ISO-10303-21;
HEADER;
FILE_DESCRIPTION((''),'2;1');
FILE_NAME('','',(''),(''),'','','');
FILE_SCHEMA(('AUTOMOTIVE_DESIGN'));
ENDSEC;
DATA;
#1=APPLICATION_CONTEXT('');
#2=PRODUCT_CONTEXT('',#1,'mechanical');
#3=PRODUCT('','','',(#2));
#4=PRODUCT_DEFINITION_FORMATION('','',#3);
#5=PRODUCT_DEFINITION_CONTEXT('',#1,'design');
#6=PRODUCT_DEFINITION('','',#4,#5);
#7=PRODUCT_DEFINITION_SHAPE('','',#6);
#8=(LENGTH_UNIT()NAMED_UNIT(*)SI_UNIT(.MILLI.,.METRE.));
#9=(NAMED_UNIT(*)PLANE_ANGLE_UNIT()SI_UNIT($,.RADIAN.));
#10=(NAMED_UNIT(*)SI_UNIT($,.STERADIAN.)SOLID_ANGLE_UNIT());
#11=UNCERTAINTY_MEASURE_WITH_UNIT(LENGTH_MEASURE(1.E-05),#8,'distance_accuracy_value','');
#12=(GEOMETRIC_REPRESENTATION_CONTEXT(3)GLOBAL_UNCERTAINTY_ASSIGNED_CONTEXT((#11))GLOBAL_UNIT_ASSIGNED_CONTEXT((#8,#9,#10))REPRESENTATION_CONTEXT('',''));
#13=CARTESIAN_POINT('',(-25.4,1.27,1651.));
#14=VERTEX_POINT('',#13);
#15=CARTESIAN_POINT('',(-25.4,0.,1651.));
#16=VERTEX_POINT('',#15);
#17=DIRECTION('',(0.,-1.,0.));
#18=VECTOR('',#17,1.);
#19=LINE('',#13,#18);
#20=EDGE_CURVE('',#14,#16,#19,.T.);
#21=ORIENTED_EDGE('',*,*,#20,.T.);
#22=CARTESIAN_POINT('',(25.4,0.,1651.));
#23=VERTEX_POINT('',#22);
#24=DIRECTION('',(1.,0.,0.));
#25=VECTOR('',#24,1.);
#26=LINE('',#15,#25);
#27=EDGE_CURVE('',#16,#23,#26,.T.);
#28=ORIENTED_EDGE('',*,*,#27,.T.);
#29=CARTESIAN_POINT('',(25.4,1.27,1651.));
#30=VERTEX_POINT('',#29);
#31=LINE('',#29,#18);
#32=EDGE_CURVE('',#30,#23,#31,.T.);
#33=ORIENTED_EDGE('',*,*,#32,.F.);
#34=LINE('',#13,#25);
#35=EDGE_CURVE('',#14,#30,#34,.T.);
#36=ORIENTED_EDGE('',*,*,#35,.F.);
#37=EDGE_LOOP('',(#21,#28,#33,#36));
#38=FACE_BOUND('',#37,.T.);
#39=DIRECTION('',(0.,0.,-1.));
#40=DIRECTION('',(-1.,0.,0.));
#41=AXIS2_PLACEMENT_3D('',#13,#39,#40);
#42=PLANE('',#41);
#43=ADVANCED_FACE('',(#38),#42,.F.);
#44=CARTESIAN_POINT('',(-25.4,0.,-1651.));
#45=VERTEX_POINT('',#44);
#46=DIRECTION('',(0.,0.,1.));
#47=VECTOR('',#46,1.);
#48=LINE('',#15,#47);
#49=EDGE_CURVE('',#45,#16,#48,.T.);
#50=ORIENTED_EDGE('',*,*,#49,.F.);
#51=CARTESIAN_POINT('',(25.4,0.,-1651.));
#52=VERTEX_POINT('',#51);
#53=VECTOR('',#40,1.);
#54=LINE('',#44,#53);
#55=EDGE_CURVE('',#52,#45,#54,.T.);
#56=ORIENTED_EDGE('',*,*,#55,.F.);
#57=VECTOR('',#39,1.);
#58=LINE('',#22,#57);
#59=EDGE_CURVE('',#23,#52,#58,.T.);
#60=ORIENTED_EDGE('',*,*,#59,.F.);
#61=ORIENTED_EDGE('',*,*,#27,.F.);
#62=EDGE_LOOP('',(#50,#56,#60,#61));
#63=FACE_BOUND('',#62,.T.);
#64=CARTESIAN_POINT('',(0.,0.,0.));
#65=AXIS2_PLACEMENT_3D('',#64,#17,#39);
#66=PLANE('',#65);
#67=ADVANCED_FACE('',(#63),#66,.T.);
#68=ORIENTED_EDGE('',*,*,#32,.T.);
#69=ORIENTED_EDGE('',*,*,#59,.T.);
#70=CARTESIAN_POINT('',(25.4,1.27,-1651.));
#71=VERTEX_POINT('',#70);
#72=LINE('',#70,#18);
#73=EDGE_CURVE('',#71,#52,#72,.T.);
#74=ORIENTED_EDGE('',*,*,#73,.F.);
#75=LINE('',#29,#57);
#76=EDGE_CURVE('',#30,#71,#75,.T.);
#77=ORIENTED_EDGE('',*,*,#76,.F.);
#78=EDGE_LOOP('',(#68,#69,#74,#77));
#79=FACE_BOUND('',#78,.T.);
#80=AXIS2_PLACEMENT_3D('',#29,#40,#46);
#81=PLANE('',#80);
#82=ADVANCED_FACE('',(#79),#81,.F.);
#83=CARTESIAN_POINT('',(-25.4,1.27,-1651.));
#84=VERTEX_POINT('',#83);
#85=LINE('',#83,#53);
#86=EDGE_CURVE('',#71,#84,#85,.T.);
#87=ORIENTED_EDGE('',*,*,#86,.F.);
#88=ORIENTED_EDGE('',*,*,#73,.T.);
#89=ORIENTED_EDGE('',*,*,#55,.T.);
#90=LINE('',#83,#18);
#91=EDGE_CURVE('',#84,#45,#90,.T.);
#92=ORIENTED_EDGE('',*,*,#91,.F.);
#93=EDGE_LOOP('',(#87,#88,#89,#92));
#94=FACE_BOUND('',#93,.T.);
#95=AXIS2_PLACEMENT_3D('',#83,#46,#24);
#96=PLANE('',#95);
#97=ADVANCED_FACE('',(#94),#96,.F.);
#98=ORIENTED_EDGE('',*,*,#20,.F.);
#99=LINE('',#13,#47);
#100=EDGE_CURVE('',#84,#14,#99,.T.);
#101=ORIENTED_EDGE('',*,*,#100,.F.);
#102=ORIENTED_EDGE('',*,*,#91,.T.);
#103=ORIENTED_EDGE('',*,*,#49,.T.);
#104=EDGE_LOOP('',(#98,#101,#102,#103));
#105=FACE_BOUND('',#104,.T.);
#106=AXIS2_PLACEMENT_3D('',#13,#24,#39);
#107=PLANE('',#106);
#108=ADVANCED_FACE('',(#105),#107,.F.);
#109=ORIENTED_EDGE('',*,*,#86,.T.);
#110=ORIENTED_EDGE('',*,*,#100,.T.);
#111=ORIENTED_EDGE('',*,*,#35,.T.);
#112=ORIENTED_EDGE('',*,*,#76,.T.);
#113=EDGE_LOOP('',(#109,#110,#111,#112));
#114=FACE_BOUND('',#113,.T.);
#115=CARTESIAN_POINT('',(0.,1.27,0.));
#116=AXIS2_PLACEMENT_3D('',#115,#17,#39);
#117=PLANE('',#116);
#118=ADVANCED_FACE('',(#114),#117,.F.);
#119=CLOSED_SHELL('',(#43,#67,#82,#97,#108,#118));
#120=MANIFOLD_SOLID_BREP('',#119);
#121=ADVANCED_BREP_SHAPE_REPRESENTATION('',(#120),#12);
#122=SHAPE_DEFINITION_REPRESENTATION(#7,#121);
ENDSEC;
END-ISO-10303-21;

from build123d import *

# Parameters (mm, degrees)
SKETCH1_W           = 50.8
SKETCH1_H           = 3302
BOSS_EXTRUDE1_DEPTH = 1.27


with BuildPart() as part:
    # Sketch1 → Boss-Extrude1 (new body)
    with BuildSketch(Plane(origin=(0, 0, 0), x_dir=(1, 0, 0), z_dir=(0, 1, 0))):
        Rectangle(SKETCH1_W, SKETCH1_H)
    extrude(amount=BOSS_EXTRUDE1_DEPTH)


solid = part.part
